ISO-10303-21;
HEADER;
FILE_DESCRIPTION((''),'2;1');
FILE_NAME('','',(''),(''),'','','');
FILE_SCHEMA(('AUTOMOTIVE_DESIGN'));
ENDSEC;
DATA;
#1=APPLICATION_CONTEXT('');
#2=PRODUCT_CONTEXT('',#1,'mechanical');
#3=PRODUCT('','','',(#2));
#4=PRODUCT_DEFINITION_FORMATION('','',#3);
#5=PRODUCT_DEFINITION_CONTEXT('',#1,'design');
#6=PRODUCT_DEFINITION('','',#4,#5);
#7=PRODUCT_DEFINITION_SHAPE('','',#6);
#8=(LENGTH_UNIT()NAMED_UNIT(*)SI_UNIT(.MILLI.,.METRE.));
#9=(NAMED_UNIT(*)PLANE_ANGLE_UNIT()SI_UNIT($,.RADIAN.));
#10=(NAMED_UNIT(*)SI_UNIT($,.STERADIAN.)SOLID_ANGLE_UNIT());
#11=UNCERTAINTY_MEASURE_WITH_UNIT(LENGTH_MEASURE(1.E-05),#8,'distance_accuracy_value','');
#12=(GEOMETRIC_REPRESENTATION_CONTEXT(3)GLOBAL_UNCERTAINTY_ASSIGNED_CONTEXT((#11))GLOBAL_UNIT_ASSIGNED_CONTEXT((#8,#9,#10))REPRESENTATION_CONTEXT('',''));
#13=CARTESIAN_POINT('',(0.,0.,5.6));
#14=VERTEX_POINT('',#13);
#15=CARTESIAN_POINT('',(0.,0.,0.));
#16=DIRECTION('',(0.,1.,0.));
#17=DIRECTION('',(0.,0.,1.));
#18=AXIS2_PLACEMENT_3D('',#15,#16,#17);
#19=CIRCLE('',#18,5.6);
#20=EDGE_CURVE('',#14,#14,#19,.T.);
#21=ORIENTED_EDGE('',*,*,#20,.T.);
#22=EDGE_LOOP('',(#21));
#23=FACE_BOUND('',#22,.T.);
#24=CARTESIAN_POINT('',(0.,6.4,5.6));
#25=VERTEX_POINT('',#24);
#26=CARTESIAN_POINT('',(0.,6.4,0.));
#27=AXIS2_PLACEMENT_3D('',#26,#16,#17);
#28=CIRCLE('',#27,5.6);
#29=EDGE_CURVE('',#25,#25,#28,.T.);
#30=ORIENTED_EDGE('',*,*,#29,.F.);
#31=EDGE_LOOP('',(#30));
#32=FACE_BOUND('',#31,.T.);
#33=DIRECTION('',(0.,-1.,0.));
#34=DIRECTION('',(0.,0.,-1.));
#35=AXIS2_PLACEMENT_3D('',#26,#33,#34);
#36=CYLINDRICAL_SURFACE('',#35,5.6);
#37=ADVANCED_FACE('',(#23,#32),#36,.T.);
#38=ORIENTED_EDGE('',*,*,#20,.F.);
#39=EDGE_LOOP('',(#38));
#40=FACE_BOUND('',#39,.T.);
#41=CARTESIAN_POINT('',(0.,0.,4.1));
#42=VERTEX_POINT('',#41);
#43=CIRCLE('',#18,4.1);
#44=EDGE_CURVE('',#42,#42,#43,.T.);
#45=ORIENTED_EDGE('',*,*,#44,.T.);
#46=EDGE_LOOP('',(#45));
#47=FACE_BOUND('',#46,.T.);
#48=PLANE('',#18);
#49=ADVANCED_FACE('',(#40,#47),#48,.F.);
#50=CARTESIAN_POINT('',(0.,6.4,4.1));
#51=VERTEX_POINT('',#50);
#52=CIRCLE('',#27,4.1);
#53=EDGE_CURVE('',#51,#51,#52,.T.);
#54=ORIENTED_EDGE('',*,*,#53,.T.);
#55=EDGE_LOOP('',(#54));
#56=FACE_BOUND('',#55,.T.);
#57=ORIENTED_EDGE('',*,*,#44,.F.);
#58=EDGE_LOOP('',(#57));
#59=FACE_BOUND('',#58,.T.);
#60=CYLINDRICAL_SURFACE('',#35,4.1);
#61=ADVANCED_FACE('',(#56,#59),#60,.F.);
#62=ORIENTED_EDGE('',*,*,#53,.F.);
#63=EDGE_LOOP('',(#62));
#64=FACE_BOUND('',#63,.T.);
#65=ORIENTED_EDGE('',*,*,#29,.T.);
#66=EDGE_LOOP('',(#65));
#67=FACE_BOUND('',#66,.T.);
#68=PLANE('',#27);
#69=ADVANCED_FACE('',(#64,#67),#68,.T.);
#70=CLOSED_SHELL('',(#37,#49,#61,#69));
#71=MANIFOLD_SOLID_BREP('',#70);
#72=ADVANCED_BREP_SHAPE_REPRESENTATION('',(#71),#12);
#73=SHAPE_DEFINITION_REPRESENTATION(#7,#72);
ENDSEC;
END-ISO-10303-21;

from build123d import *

# Parameters (mm, degrees)
SKIZZE1_R                       = 5.6
SKIZZE1_R_2                     = 4.1
AUFSATZ_LINEAR_AUSTRAGEN1_DEPTH = 6.4


with BuildPart() as part:
    # Skizze1 → Aufsatz-Linear austragen1 (new body)
    with BuildSketch(Plane(origin=(0, 0, 0), x_dir=(1, 0, 0), z_dir=(0, 1, 0))):
        with Locations(Location((0, 0, 0), (0, 0, 270))):
            Circle(SKIZZE1_R)
        with Locations(Location((0, 0, 0), (0, 0, 270))):
            Circle(SKIZZE1_R_2, mode=Mode.SUBTRACT)
    extrude(amount=AUFSATZ_LINEAR_AUSTRAGEN1_DEPTH)


solid = part.part
